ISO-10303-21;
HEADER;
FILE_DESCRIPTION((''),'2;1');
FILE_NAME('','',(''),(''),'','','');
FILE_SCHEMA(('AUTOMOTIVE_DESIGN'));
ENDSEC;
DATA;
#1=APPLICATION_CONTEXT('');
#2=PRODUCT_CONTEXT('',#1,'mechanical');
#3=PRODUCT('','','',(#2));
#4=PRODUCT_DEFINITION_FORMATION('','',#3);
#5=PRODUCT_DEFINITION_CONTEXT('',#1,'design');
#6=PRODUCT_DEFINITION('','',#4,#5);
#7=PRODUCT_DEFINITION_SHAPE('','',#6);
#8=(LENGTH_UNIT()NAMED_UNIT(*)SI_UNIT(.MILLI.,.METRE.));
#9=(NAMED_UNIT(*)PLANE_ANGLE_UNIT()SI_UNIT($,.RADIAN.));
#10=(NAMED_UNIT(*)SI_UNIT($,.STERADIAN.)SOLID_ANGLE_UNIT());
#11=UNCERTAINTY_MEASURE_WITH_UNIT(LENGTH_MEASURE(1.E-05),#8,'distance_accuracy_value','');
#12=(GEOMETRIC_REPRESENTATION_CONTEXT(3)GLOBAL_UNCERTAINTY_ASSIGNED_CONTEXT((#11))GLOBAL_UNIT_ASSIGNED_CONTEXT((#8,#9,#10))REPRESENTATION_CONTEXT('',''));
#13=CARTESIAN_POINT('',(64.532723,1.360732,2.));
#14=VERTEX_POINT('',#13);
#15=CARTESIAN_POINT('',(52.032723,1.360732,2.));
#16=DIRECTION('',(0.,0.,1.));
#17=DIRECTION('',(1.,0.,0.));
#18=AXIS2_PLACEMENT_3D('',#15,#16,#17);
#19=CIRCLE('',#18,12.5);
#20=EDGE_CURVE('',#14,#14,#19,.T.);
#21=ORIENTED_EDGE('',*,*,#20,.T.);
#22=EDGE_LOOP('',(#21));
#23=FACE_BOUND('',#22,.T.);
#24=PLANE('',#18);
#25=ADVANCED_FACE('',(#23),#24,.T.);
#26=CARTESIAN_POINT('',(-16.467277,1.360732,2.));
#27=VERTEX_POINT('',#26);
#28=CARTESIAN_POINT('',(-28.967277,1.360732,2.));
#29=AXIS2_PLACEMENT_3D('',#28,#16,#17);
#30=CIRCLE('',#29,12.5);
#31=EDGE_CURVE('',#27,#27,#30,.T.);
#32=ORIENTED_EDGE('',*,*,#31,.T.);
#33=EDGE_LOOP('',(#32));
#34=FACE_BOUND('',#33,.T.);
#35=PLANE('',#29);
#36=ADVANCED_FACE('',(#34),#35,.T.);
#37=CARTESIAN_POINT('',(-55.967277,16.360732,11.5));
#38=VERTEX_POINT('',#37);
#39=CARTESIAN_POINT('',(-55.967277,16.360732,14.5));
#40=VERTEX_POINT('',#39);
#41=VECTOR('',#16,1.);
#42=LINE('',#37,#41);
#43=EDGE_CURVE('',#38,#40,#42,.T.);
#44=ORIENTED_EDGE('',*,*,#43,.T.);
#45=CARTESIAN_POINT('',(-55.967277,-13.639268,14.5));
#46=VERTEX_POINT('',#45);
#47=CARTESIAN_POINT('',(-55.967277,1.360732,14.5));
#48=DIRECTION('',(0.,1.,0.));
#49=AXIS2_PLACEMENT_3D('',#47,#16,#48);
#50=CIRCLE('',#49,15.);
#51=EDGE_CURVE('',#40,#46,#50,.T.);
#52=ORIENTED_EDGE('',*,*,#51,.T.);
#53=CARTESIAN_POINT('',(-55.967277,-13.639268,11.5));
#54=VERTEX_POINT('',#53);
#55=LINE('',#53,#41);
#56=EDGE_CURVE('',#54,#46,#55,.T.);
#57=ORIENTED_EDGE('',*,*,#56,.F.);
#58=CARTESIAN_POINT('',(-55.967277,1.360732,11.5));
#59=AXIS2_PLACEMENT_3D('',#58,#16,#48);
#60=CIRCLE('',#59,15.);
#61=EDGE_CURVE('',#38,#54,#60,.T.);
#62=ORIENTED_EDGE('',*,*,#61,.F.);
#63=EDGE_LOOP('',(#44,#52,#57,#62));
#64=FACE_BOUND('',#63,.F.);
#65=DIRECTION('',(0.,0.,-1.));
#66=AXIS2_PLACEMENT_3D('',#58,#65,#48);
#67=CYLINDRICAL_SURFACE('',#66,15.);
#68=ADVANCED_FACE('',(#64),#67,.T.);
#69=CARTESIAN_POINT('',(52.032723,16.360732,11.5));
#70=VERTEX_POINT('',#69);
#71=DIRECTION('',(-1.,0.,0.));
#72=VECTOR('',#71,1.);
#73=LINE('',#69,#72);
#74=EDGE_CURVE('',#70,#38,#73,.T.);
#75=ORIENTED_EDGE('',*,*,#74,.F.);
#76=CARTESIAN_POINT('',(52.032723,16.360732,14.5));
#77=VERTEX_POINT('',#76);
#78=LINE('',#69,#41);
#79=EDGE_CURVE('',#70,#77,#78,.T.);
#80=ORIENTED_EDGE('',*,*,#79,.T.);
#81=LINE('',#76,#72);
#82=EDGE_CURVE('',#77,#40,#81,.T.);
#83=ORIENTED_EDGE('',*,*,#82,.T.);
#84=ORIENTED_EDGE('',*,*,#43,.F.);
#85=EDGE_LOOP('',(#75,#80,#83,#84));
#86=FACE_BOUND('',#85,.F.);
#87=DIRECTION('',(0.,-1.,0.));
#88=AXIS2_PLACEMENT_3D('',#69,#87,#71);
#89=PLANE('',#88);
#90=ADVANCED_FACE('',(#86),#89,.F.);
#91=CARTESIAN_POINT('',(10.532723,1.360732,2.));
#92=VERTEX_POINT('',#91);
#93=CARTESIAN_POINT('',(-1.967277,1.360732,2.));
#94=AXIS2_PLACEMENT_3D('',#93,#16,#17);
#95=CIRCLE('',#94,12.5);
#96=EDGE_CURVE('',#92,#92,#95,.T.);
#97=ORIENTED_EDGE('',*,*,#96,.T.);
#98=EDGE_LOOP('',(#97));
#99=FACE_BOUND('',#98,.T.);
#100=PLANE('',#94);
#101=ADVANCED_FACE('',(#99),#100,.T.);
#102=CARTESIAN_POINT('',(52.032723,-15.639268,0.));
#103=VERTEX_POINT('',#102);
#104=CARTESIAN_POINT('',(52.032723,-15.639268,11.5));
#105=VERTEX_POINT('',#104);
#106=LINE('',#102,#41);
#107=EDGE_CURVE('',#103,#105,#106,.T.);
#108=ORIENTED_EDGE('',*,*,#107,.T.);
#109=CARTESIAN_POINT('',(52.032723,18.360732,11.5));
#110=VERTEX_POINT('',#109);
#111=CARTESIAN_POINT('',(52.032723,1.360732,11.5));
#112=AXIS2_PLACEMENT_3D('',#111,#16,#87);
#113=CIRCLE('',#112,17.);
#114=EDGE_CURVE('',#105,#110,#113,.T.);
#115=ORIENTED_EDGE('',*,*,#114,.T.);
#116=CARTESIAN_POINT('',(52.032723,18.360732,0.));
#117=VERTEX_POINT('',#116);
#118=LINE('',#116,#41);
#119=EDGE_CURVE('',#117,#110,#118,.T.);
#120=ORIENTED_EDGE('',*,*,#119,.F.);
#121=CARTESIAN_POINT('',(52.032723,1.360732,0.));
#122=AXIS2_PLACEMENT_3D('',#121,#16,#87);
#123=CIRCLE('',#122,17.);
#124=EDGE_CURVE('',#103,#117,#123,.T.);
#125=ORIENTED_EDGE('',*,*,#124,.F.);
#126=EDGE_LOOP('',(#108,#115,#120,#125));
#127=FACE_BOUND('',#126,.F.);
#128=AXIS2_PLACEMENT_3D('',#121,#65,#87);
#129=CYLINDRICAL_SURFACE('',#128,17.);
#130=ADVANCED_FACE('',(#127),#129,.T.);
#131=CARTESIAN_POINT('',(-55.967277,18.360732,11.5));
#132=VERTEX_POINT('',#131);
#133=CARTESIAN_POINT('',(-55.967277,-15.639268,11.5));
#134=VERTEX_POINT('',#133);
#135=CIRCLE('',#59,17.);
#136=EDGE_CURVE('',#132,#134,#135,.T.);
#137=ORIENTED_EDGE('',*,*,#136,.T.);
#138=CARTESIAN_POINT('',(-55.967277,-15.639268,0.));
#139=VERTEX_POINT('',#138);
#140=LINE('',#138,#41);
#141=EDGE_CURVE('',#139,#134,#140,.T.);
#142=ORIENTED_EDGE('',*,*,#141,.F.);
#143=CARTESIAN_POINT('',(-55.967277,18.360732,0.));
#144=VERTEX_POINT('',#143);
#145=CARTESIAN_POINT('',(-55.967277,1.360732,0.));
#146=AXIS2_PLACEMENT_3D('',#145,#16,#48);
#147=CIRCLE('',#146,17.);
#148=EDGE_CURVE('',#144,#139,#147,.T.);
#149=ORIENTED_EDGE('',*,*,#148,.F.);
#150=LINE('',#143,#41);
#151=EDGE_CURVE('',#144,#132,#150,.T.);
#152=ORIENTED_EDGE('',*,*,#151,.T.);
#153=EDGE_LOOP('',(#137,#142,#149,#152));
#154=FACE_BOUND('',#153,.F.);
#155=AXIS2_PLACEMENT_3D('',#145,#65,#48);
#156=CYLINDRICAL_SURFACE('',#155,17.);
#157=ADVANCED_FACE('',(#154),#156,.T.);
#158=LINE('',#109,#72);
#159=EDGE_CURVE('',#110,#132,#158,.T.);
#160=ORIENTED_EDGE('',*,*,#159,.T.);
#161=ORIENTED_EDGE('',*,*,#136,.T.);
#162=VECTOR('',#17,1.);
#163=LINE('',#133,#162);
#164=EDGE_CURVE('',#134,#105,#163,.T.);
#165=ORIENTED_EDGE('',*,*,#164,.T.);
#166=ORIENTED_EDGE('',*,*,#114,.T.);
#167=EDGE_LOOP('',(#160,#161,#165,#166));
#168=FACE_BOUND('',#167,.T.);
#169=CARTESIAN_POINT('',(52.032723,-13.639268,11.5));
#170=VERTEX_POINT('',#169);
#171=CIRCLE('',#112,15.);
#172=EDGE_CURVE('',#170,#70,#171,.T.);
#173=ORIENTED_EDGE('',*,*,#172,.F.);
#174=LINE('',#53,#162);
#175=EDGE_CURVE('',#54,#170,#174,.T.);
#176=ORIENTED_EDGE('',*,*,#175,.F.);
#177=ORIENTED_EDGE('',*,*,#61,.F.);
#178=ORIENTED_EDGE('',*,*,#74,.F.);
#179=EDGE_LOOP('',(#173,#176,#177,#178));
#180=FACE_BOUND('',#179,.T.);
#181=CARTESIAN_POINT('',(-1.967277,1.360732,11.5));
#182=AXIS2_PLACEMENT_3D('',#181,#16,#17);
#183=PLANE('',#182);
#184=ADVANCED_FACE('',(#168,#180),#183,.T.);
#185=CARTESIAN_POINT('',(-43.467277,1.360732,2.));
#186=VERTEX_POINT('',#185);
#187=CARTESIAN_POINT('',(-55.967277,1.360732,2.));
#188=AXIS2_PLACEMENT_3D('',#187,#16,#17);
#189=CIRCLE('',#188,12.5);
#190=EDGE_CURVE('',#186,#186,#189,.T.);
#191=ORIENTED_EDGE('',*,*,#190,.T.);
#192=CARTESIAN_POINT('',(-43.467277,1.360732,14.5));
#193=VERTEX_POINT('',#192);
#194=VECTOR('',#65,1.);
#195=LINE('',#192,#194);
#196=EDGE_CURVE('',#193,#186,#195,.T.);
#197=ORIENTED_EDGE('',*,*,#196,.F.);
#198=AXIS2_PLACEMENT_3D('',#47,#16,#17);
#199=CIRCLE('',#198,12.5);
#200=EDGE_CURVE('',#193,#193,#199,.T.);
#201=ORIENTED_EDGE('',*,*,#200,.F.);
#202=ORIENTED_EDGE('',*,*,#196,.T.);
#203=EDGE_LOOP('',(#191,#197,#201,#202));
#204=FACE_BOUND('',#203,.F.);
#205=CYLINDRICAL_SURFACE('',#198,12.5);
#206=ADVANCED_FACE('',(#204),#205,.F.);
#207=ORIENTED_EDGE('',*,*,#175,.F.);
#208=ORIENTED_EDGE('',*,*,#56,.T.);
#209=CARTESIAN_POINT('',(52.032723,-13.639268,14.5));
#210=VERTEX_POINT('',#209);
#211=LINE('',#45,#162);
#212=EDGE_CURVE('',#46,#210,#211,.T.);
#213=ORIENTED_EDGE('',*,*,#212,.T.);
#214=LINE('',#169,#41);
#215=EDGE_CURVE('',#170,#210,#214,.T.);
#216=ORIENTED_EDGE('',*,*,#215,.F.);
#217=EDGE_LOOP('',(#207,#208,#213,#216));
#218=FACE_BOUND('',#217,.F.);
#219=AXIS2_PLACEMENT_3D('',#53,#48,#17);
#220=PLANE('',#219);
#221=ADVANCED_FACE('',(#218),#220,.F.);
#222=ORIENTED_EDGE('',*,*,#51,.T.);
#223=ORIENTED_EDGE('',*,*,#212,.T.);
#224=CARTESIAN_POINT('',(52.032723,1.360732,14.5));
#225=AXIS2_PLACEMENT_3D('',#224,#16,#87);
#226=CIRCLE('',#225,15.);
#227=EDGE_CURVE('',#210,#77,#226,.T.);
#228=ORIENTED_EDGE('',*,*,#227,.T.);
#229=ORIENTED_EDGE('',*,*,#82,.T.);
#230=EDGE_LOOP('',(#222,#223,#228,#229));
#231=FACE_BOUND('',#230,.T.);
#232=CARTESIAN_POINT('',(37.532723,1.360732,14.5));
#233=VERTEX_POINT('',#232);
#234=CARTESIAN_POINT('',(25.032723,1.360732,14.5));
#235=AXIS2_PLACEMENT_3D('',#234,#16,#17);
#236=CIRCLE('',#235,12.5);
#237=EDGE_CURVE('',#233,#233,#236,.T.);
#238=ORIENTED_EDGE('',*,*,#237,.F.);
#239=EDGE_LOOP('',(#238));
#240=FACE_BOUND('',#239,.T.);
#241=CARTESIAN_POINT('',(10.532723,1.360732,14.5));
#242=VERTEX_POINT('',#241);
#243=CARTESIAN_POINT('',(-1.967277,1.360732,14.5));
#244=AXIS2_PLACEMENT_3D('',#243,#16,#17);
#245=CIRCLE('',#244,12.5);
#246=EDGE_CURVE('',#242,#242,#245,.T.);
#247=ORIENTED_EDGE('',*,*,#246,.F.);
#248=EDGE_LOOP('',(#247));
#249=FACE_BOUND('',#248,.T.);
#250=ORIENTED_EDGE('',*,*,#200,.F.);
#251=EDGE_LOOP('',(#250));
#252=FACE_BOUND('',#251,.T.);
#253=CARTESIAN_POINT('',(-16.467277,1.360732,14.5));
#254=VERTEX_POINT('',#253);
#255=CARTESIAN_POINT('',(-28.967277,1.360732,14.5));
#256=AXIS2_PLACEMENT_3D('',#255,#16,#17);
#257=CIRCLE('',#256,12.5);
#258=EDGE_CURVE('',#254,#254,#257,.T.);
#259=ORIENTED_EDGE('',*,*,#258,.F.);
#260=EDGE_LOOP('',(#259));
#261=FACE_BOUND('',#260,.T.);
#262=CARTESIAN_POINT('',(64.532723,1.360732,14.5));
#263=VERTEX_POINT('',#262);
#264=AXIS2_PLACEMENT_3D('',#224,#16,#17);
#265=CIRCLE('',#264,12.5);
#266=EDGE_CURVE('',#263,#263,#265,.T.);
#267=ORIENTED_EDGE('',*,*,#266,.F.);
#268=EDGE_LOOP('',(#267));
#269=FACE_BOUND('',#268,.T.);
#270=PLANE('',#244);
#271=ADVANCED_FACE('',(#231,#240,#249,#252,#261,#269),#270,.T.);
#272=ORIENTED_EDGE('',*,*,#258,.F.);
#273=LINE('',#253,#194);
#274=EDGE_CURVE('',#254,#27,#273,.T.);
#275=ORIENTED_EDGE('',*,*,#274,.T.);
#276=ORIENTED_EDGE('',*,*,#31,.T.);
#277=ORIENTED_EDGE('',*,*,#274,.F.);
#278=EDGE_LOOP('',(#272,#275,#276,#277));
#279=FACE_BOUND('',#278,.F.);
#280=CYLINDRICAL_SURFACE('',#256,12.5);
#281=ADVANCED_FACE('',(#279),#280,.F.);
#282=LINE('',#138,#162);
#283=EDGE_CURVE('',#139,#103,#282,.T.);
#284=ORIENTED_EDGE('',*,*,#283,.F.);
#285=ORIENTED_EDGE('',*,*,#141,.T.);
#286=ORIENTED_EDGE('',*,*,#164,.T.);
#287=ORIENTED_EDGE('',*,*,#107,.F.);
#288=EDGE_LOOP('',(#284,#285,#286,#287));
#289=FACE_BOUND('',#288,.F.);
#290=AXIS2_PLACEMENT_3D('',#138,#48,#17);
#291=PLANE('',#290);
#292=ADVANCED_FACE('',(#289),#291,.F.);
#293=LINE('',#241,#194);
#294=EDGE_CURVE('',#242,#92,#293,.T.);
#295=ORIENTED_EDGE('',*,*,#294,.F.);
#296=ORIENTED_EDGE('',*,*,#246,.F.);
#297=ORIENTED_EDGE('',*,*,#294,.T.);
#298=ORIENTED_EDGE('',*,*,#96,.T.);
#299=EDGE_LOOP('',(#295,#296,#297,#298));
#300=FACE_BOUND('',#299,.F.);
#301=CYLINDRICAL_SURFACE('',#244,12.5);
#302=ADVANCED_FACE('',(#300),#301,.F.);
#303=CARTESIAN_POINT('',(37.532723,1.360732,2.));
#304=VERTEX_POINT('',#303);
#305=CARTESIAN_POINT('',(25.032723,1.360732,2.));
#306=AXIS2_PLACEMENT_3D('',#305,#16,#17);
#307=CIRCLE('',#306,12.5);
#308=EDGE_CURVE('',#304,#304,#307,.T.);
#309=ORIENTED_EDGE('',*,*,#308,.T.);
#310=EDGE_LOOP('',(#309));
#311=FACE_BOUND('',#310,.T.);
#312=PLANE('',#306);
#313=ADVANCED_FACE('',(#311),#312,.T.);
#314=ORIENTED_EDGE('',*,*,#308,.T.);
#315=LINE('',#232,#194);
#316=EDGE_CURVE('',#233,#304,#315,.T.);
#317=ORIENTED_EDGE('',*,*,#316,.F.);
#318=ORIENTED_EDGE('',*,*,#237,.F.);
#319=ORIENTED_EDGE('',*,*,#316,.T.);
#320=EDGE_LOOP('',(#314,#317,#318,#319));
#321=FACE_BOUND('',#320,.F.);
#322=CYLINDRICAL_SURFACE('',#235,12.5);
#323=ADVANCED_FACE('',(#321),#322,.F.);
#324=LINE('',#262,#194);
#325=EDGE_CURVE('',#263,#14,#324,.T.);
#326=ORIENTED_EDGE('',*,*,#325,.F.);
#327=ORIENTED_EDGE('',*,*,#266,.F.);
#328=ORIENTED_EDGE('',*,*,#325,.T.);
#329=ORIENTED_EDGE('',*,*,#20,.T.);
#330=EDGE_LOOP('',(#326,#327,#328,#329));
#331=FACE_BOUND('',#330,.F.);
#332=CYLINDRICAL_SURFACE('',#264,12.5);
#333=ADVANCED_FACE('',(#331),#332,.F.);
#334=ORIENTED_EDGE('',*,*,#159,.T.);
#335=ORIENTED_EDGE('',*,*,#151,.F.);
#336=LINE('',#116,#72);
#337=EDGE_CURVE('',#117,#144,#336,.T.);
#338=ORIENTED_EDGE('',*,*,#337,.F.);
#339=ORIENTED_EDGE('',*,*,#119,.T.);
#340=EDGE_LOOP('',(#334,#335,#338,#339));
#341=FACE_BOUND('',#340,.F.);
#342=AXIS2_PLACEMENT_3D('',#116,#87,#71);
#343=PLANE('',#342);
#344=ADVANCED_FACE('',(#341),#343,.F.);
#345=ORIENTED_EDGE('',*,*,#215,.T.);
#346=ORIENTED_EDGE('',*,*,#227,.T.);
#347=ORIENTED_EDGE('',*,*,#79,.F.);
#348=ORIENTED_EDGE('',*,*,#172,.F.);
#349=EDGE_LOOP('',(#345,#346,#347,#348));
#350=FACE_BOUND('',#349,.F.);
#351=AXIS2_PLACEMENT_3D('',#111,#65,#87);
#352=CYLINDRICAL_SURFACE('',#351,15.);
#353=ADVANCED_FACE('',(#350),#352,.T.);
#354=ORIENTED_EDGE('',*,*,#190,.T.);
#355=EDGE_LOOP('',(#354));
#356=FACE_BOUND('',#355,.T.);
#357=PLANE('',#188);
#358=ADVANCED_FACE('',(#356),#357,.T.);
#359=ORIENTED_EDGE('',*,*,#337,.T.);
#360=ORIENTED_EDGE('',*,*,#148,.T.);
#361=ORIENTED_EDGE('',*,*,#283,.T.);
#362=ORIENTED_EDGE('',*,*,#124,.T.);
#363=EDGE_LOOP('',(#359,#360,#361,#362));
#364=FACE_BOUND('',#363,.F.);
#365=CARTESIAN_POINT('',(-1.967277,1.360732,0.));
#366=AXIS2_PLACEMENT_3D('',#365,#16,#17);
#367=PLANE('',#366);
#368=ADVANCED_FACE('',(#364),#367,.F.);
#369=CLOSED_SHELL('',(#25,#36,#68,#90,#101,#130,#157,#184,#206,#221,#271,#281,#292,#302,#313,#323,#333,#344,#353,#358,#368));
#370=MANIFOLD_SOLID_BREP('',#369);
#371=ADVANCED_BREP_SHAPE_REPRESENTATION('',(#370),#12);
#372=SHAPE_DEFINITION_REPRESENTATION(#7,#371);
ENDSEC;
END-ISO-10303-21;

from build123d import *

# Parameters (mm, degrees)
F1_DEPTH = 11.5
F3_DEPTH = 3
F4_R     = 12.5
F5_DEPTH = 12.5


with BuildPart() as f1:
    # F0 (on Top) → F1 (new body)
    with BuildSketch(Plane.XY):
        with BuildLine():
            Line((52.032723, 18.360732), (-55.967277, 18.360732))
            ThreePointArc((-55.967277, 18.360732), (-72.967277, 1.360732), (-55.967277, -15.639268))
            Line((-55.967277, -15.639268), (52.032723, -15.639268))
            ThreePointArc((52.032723, -15.639268), (69.032723, 1.360732), (52.032723, 18.360732))
        make_face()
    extrude(amount=F1_DEPTH)

    # F2 (on face) → F3 (join)
    with BuildSketch(Plane.XY.offset(11.5)):
        with BuildLine():
            ThreePointArc((52.032723, -13.639268), (67.032723, 1.360732), (52.032723, 16.360732))
            Line((52.032723, 16.360732), (-55.967277, 16.360732))
            ThreePointArc((-55.967277, 16.360732), (-70.967277, 1.360732), (-55.967277, -13.639268))
            Line((-55.967277, -13.639268), (52.032723, -13.639268))
        make_face()
    extrude(amount=F3_DEPTH)

    # F4 (on face) → F5 (cut)
    with BuildSketch(Plane.XY.offset(14.5)):
        with Locations((-55.967277, 1.360732)):
            Circle(F4_R)
        with Locations((-28.967277, 1.360732)):
            Circle(F4_R)
        with Locations((-1.967277, 1.360732)):
            Circle(F4_R)
        with Locations((25.032723, 1.360732)):
            Circle(F4_R)
        with Locations((52.032723, 1.360732)):
            Circle(F4_R)
    extrude(amount=-F5_DEPTH, mode=Mode.SUBTRACT)


solid = f1.part
